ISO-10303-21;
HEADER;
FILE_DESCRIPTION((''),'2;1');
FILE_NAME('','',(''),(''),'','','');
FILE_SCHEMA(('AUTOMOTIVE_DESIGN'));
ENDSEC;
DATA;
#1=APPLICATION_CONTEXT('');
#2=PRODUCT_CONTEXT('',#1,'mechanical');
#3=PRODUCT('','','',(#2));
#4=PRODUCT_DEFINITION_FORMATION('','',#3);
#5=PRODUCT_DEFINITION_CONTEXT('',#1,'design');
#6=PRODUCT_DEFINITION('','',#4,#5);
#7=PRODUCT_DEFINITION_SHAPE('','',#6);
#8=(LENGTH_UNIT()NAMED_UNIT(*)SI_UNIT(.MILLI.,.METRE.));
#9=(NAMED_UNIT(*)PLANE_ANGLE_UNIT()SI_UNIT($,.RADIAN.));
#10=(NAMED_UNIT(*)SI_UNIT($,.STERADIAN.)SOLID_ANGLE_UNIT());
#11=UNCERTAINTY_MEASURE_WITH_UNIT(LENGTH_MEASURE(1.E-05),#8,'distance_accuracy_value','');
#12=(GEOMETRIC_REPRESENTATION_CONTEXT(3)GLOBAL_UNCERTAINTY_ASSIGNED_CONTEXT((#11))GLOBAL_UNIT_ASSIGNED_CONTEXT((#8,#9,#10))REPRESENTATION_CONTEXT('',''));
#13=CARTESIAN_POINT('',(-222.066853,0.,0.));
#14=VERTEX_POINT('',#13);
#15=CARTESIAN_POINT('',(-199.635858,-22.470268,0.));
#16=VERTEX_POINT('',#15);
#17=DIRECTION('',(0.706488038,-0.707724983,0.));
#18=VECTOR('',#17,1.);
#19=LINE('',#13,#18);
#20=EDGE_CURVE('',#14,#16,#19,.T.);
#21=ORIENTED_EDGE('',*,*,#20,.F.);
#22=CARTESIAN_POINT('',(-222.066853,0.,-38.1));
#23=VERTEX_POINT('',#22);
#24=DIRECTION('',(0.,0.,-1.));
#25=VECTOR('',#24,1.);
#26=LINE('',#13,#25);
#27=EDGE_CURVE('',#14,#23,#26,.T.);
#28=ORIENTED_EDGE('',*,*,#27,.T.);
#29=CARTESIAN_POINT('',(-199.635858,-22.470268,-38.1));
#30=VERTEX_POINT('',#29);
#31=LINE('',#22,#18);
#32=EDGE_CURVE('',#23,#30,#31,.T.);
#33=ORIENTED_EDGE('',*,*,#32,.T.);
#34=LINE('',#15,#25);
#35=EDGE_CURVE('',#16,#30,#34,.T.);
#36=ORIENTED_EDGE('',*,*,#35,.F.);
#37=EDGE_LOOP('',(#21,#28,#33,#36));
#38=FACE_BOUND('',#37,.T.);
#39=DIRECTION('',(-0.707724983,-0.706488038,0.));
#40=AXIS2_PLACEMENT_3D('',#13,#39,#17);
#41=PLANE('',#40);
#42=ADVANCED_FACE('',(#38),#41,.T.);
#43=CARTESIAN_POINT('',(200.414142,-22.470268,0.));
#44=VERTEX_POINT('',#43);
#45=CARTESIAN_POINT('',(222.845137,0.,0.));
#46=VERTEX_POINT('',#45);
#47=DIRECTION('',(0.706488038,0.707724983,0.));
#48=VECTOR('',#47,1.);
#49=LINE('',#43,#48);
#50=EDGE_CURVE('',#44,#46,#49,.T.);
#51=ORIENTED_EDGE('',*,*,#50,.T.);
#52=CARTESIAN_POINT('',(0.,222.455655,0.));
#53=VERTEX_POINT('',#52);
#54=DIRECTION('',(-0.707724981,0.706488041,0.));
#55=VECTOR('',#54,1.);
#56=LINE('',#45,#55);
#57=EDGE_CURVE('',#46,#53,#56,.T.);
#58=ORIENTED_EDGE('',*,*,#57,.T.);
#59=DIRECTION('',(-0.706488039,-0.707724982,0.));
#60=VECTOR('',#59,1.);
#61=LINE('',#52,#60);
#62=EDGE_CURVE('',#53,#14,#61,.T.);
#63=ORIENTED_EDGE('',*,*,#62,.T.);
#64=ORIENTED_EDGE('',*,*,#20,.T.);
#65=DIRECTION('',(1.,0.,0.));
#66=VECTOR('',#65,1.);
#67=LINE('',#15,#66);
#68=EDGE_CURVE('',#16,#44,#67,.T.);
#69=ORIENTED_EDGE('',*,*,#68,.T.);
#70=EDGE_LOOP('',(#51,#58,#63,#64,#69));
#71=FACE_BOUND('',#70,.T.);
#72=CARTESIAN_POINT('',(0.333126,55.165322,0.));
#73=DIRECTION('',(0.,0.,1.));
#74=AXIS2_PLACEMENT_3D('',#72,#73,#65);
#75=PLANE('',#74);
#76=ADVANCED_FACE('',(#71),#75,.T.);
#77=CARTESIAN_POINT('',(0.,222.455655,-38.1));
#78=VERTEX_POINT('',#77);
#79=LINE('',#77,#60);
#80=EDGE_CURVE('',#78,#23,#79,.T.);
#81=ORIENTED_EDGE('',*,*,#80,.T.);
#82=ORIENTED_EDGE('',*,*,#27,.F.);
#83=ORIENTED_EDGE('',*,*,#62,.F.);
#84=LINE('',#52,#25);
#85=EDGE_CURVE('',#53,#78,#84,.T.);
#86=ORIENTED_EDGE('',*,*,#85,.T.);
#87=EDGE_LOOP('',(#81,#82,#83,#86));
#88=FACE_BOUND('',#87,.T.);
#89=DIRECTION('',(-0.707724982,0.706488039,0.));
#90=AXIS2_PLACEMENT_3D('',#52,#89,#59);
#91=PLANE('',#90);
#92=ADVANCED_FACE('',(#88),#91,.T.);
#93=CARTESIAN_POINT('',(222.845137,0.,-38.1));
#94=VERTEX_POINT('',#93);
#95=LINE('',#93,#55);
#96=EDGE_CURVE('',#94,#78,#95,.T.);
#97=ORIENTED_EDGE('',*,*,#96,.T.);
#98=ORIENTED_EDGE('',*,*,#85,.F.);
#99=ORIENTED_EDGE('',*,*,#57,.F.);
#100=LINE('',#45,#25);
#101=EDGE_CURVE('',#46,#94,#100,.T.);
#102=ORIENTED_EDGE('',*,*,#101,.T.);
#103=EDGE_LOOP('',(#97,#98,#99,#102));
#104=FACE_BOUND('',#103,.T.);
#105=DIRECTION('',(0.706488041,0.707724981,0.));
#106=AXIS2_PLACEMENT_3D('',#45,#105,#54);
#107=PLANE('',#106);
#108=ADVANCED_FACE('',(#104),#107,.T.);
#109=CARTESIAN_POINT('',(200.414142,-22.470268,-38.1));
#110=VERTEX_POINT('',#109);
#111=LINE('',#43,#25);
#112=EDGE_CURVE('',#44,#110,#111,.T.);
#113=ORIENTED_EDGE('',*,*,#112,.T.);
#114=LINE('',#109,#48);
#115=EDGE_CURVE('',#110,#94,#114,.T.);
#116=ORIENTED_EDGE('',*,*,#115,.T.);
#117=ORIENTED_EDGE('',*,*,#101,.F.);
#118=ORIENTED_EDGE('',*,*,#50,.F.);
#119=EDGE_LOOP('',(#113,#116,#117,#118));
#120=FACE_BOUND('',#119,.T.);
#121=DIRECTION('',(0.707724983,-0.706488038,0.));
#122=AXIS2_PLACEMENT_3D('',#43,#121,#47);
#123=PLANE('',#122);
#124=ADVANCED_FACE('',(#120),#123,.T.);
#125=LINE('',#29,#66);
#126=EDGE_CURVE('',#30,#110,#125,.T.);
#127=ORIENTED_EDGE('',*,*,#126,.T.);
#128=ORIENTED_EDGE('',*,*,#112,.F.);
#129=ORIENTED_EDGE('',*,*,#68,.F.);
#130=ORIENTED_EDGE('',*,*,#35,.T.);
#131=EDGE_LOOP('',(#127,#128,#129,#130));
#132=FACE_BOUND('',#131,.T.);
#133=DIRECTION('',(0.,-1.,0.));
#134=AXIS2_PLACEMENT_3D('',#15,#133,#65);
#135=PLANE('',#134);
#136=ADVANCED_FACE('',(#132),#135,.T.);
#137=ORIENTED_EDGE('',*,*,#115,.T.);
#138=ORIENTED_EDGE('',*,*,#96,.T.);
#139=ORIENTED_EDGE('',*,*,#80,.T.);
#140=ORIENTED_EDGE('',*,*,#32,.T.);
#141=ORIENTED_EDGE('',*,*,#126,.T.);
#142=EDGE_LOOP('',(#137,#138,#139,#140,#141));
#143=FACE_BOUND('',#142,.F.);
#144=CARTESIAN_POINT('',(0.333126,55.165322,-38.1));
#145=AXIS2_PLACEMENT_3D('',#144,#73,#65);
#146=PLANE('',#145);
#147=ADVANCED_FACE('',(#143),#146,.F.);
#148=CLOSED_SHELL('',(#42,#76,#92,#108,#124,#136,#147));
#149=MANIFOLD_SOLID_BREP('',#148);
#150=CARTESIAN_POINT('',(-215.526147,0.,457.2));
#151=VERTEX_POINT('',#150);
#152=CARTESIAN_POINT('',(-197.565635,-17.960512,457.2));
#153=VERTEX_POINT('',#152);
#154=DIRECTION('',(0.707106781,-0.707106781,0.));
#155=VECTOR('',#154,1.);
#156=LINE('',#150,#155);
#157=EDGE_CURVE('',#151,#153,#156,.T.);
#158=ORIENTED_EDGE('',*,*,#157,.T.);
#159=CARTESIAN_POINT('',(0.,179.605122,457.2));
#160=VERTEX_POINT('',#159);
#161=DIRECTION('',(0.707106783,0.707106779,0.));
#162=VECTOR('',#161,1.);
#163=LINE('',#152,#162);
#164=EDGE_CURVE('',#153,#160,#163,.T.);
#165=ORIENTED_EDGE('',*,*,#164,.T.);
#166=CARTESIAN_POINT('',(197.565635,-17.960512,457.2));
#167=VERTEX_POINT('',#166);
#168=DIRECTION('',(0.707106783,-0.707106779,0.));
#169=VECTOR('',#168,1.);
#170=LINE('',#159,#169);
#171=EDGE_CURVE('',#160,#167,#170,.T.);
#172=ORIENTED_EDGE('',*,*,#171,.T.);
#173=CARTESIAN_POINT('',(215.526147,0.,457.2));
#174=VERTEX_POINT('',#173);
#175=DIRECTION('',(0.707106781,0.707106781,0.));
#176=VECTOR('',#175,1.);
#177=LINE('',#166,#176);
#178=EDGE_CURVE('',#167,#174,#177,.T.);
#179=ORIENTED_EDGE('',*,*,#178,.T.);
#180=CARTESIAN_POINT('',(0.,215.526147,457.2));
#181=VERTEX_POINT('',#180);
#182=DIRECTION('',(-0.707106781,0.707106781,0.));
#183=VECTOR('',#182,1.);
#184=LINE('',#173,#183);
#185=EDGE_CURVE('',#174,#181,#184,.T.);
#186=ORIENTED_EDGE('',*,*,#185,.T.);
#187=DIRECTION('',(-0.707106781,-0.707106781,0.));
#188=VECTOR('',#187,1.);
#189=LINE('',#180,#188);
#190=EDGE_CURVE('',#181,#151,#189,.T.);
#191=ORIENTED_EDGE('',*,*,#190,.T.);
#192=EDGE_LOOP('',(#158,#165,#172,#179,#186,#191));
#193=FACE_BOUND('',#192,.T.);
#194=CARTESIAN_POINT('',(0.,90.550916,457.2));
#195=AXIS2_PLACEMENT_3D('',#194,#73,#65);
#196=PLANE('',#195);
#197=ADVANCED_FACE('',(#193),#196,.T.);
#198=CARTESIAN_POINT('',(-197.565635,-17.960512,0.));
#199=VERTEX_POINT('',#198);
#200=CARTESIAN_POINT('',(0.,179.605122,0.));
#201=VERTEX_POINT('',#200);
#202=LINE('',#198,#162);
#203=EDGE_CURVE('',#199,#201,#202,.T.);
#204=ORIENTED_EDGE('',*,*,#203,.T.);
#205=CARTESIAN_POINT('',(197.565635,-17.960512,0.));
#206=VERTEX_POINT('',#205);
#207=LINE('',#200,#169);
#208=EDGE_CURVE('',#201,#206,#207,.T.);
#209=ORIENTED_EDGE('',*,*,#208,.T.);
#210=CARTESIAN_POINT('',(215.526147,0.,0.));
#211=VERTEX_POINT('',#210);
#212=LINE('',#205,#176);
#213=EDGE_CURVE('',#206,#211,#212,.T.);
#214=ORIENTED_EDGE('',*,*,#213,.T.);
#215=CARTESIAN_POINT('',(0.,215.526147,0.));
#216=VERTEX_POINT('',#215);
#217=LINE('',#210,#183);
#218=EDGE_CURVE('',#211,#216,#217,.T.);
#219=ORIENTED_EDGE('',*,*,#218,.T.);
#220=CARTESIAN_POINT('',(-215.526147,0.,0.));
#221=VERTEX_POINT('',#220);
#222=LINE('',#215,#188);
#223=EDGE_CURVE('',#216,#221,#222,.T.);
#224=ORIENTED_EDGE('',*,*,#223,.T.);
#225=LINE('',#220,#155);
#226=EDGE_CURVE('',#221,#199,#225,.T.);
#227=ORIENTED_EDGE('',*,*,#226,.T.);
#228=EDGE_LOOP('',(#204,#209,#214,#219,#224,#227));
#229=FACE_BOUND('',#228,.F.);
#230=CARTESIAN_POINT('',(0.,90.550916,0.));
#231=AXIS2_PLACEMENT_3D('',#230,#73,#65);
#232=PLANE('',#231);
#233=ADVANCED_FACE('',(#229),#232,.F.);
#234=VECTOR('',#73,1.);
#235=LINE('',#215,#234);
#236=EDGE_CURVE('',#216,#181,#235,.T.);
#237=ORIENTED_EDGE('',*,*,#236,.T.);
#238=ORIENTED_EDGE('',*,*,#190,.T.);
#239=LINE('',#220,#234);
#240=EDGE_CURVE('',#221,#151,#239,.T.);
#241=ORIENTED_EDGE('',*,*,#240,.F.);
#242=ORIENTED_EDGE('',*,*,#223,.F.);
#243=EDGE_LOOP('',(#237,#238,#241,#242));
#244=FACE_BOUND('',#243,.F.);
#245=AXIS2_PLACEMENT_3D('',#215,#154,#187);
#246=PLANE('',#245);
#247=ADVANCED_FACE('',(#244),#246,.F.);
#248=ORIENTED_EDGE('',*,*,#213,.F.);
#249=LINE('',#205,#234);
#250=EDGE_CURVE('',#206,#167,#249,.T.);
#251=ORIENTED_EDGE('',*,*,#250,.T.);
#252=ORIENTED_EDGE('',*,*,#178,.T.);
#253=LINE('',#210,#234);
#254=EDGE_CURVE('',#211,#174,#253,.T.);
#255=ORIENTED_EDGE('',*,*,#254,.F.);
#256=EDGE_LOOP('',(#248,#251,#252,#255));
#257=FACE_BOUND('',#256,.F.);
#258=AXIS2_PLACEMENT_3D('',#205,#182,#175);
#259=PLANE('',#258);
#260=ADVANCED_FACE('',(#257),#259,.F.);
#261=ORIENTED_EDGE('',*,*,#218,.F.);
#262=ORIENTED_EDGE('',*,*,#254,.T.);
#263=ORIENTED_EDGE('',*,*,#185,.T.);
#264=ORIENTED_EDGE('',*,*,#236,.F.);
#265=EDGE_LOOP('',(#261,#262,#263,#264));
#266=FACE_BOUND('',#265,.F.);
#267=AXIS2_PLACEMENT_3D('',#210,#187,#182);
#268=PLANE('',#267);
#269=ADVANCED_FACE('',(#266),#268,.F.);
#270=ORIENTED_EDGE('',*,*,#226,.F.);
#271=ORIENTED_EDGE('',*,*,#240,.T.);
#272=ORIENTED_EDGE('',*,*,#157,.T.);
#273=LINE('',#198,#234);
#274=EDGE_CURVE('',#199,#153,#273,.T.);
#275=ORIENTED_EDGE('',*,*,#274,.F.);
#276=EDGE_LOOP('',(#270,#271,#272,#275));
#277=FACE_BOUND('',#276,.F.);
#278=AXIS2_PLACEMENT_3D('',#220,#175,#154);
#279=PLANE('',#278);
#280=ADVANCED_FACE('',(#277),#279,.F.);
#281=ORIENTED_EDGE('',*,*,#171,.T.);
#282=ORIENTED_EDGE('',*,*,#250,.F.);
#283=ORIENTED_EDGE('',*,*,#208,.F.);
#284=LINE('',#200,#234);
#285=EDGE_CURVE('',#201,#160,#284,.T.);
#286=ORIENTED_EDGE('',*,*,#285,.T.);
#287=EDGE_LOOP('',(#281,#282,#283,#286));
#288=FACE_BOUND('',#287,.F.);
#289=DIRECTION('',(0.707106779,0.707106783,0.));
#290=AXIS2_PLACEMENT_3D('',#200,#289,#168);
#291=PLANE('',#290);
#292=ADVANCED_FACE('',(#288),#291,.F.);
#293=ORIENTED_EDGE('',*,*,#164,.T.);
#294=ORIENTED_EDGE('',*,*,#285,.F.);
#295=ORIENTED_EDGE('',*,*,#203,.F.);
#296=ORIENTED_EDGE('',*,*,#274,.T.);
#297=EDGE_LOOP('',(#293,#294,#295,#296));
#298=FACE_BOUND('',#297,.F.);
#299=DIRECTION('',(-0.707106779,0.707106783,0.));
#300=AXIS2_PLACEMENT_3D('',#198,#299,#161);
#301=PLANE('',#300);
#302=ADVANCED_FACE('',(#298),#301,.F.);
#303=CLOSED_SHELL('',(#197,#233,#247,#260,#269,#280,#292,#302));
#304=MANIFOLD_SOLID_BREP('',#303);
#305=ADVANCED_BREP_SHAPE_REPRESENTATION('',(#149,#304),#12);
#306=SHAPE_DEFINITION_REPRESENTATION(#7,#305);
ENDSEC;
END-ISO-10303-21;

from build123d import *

# Parameters (mm, degrees)
F1_DEPTH = 457.2
F3_DEPTH = 38.1


with BuildPart() as f1:
    # F0 (on Top) → F1 (new body)
    with BuildSketch(Plane.XY):
        Polygon((215.526147, 0), (0, 215.526147), (-215.526147, 0), (-197.565635, -17.960512), (0, 179.605122), (197.565635, -17.960512), align=None)
    extrude(amount=F1_DEPTH)


with BuildPart() as f3:
    # F2 (on Top) → F3 (new body)
    with BuildSketch(Plane.XY):
        Polygon((0, 222.455655), (-222.066853, 0), (-199.635858, -22.470268), (200.414142, -22.470268), (222.845137, 0), align=None)
    extrude(amount=-F3_DEPTH)


solid = Compound([f1.part, f3.part])
